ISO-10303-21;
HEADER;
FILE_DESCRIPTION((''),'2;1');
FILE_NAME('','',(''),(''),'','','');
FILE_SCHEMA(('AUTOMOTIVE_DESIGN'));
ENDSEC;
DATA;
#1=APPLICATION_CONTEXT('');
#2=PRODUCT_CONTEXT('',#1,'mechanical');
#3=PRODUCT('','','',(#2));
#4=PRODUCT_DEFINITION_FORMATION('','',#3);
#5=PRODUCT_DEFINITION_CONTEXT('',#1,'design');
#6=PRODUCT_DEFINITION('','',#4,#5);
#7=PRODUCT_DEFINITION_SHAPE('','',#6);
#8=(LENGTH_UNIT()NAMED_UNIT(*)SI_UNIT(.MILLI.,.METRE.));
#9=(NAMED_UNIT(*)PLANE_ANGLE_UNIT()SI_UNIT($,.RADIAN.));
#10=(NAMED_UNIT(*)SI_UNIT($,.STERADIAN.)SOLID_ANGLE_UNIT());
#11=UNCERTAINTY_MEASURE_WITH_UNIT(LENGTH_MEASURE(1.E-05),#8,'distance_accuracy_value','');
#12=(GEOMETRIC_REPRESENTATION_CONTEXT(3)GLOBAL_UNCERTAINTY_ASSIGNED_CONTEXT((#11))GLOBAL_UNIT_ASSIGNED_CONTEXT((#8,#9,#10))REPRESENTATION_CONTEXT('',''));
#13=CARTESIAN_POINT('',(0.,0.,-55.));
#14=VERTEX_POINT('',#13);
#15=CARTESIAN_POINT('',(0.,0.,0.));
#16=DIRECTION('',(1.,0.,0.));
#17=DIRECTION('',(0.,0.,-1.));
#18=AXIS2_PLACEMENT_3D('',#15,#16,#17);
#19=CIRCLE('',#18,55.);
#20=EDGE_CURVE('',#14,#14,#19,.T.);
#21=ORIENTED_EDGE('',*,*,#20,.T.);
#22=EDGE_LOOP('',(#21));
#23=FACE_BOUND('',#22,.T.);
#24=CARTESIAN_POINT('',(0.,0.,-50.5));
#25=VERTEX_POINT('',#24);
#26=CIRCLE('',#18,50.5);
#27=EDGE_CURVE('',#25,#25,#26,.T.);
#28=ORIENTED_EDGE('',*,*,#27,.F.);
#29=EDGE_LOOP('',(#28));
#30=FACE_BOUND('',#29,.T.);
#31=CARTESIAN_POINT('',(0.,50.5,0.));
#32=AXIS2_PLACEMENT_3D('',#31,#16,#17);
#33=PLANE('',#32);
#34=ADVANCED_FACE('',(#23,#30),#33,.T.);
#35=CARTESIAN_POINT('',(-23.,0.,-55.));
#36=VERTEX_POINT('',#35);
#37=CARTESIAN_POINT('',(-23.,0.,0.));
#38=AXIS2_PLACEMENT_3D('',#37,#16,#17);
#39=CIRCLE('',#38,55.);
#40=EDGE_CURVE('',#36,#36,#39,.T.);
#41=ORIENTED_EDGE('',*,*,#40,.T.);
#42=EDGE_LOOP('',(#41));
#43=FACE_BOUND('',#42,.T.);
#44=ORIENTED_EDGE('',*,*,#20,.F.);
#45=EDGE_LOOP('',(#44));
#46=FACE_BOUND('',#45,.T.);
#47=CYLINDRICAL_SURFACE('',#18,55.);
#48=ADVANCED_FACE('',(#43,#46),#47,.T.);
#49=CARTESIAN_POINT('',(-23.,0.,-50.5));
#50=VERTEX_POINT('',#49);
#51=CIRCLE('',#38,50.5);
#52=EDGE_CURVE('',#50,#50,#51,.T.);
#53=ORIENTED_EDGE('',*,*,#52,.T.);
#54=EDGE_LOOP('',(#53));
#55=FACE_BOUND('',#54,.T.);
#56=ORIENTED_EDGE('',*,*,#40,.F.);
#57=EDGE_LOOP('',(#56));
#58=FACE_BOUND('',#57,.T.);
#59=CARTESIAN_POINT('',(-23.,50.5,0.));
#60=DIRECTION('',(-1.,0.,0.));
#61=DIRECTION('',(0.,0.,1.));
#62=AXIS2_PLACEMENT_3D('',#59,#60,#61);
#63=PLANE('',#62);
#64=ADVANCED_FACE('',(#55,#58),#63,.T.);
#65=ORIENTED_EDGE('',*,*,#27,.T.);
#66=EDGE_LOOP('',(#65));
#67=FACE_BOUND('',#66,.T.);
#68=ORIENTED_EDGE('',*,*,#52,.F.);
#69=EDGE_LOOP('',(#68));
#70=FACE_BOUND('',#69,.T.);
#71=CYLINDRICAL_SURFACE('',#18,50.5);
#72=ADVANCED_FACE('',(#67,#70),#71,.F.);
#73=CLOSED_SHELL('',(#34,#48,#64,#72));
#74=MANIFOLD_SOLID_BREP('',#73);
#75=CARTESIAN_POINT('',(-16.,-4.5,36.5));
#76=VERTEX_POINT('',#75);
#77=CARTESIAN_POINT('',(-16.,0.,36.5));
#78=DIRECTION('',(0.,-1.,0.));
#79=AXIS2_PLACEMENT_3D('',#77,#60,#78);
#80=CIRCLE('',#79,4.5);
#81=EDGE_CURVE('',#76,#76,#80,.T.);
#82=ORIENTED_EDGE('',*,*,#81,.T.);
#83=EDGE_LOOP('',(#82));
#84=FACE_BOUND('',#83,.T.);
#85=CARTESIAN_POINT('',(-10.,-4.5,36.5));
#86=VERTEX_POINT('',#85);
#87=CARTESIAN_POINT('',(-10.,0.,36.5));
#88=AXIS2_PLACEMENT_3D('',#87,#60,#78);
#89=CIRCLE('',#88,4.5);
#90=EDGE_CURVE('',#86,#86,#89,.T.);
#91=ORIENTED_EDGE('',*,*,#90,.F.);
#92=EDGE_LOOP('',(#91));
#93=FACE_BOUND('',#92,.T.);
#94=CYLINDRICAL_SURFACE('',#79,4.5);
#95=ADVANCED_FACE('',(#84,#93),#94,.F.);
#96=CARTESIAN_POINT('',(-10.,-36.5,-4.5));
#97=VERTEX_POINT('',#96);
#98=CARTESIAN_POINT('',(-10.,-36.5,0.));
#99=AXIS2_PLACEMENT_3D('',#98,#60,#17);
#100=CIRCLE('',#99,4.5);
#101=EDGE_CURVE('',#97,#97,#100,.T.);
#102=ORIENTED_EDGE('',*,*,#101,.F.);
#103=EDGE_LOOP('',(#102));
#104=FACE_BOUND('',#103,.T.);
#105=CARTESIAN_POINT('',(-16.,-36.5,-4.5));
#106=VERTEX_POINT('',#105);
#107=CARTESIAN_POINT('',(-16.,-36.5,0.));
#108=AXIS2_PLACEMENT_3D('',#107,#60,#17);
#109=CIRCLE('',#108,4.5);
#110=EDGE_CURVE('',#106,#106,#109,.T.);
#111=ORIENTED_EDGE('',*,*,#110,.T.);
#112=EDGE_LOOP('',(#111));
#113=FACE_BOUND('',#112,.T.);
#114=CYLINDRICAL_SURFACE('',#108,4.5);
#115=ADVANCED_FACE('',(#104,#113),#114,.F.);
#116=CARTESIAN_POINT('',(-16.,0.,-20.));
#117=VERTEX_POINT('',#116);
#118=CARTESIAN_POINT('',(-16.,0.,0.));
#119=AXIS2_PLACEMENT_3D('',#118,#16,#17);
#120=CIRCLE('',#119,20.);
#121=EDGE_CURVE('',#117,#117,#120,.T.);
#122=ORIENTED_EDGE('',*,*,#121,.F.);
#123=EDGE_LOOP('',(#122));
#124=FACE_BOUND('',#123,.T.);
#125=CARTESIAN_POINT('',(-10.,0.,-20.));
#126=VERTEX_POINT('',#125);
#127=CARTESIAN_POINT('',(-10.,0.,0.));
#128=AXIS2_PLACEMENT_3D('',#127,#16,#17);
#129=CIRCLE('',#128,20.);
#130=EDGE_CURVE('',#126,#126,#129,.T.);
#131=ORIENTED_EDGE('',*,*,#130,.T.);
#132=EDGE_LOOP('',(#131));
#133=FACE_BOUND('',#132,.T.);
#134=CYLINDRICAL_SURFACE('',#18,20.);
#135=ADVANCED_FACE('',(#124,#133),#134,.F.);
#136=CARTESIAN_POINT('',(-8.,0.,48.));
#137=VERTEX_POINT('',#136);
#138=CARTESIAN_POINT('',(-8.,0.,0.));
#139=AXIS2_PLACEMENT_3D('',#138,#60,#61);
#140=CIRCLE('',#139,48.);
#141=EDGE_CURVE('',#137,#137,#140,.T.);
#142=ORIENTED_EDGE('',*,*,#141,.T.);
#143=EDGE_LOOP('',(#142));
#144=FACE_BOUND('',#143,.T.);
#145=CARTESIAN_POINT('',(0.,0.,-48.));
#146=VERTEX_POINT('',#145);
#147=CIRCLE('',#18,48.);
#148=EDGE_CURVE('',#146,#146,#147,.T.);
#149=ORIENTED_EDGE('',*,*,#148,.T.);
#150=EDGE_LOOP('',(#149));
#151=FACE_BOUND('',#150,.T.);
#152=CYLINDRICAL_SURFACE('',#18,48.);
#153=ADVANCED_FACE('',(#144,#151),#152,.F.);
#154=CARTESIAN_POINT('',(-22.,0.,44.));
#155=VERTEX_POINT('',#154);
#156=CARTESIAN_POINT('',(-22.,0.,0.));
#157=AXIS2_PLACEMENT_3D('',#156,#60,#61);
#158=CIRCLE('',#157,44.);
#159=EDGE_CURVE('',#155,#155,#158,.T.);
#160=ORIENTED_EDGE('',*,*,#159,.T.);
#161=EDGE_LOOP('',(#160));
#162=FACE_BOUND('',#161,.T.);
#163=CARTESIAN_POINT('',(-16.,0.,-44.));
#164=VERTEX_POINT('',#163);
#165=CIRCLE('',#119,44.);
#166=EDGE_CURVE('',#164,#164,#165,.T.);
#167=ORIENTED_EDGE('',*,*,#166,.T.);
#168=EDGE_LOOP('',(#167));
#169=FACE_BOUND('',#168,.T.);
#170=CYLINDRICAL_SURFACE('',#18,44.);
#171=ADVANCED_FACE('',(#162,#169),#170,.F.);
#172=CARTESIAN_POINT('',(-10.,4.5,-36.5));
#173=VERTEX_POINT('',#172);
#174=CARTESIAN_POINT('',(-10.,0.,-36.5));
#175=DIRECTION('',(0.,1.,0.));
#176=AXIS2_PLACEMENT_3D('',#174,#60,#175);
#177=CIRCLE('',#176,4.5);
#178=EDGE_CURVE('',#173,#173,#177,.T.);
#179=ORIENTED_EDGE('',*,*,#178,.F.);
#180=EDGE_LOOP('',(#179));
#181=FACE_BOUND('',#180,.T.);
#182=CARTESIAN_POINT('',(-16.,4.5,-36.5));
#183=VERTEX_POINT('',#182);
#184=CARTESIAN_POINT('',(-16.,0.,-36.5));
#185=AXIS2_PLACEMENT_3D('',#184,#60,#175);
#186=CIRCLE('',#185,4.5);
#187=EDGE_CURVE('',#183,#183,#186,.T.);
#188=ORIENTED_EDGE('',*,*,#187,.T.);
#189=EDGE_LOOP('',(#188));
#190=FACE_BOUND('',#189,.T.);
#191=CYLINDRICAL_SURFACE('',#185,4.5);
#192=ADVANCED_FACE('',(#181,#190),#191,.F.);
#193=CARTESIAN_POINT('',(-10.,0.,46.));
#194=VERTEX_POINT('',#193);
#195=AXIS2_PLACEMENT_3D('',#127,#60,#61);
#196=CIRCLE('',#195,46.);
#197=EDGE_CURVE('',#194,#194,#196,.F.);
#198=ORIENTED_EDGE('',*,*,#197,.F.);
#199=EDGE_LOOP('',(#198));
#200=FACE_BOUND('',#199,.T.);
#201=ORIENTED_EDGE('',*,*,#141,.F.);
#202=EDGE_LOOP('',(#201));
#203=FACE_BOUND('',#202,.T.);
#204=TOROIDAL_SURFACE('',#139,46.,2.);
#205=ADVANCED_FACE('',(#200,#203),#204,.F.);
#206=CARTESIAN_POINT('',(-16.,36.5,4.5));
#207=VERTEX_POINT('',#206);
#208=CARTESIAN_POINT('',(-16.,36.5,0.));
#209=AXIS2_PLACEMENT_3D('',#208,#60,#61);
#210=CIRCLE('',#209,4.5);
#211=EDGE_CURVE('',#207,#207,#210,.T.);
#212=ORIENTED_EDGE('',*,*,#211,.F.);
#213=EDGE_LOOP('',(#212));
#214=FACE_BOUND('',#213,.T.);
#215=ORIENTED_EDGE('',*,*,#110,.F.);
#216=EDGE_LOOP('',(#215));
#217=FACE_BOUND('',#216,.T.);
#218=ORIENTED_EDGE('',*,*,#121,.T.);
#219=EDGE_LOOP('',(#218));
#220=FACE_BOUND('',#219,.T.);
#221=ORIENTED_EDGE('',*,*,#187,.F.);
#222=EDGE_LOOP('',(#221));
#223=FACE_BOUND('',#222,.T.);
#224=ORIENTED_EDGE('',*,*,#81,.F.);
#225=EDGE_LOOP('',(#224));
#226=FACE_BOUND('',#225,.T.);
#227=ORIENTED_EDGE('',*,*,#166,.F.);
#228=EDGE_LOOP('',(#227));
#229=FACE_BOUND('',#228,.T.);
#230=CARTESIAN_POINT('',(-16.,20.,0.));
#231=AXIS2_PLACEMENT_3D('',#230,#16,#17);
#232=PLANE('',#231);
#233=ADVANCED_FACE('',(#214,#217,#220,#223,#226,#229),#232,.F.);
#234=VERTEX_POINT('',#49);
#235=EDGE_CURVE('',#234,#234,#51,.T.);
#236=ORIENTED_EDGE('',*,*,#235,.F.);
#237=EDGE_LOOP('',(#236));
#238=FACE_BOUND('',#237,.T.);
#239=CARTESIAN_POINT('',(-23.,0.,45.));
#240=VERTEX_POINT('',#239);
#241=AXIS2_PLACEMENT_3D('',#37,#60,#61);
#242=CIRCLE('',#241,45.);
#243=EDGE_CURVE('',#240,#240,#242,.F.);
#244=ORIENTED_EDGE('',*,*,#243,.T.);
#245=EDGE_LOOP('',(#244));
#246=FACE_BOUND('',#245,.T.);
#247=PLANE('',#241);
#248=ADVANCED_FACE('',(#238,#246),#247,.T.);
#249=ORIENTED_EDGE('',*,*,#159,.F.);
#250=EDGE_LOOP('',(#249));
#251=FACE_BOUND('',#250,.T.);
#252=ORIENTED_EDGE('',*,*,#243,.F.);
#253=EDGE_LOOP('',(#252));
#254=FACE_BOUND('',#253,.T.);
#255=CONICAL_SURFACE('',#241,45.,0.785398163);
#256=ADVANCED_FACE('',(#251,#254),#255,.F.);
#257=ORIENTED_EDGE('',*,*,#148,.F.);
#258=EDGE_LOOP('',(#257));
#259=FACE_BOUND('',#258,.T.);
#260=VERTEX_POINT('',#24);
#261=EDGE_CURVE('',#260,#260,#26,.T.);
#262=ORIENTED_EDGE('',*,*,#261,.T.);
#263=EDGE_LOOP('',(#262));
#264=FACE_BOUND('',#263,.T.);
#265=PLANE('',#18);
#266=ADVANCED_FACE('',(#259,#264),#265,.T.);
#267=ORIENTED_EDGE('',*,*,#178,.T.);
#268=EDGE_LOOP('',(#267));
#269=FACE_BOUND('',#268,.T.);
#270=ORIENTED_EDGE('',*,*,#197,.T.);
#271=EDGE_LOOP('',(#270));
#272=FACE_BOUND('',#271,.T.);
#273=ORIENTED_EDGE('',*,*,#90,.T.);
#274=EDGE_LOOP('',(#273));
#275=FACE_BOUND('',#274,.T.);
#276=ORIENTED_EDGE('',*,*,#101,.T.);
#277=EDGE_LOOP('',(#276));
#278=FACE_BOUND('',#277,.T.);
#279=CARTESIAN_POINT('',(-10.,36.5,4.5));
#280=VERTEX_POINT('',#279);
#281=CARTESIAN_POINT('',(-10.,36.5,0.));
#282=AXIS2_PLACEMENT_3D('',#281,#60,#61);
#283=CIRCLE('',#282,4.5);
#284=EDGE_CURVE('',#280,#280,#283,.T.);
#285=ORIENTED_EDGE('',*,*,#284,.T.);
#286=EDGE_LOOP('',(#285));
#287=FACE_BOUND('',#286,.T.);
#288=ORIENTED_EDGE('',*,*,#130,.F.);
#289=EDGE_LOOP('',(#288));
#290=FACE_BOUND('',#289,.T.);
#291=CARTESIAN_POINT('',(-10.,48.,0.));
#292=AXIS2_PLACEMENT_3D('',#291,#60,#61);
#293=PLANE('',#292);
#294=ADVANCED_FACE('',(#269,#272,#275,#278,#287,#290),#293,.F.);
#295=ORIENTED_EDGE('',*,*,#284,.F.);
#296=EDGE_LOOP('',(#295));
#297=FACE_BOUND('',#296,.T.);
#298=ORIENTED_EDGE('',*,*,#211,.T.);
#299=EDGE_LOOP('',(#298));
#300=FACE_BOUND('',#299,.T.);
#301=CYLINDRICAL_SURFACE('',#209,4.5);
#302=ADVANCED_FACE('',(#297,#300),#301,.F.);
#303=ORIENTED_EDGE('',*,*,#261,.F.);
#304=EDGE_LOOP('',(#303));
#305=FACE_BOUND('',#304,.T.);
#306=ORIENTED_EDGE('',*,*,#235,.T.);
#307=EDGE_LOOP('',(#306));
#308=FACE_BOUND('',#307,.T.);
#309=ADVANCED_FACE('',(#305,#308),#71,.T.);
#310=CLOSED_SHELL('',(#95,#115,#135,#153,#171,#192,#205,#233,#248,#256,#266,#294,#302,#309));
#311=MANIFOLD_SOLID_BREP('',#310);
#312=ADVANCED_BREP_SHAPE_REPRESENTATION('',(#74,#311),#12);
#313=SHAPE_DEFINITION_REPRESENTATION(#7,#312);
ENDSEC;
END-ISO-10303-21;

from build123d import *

# Parameters (mm, degrees)
SKETCH1_W         = 23
SKETCH1_H         = 50.5
SKETCH2_W         = 23
SKETCH2_H         = 4.5
SKETCH5_W         = 4.5
SKETCH5_H         = 16
CIRPATTERN1_COUNT = 4
FILLET1_R         = 2
CHAMFER2_SIZE     = 1


with BuildPart() as part:
    # Sketch1 → Revolve1 (revolve)
    with BuildSketch(Plane.XY, mode=Mode.PRIVATE) as revolve1_sk:
        with Locations((-11.5, 25.25)):
            Rectangle(SKETCH1_W, SKETCH1_H)
    revolve(revolve1_sk.sketch.rotate(Axis((0, 0, 0), (-1, 0, 0)), 90), axis=Axis((0, 0, 0), (-1, 0, 0)))

    # Sketch3 → Cut-Revolve1 (revolve, cut)
    with BuildSketch(Plane.XY, mode=Mode.PRIVATE) as cut_revolve1_sk:
        Polygon((0, 48), (-10, 48), (-10, 20), (-16, 20), (-16, 44), (-23, 44), (-23, 0), (0, 0), align=None)
    revolve(cut_revolve1_sk.sketch.rotate(Axis((0, 0, 0), (-1, 0, 0)), 90), axis=Axis((0, 0, 0), (-1, 0, 0)), mode=Mode.SUBTRACT)

    # Sketch5 → Ø9.0 (9) Diameter Hole1 (revolve, cut)
    with BuildSketch(Plane(origin=(-16, 36.5, 0), x_dir=(0, 0, 1), z_dir=(0, 1, 0))):
        with Locations((2.25, 8)):
            Rectangle(SKETCH5_W, SKETCH5_H)
    f_9_0_9_diameter_hole1 = revolve(axis=Axis((-22.35, 36.5, 0), (1, 0, 0)), mode=Mode.SUBTRACT)

    # CirPattern1: Ø9.0 (9) Diameter Hole1 ×4 about axis
    cirpattern1_axis = Axis((0, 0, 0), (1, 0, 0))
    for i in range(1, CIRPATTERN1_COUNT):
        add(f_9_0_9_diameter_hole1.rotate(cirpattern1_axis, i * 360 / CIRPATTERN1_COUNT), mode=Mode.SUBTRACT)

    # Fillet1
    fillet1_edges = [part.edges().sort_by_distance(p)[0] for p in [
        (-10, 0, 48),
    ]]
    fillet(fillet1_edges, radius=FILLET1_R)

    # Chamfer2
    chamfer2_edges = [part.edges().sort_by_distance(p)[0] for p in [
        (-23, 0, 44),
    ]]
    chamfer(chamfer2_edges, length=CHAMFER2_SIZE)


with BuildPart() as body_2:
    # Sketch2 → Revolve2 (revolve)
    with BuildSketch(Plane.XY, mode=Mode.PRIVATE) as revolve2_sk:
        with Locations((-11.5, 52.75)):
            Rectangle(SKETCH2_W, SKETCH2_H)
    revolve(revolve2_sk.sketch.rotate(Axis((0, 0, 0), (-1, 0, 0)), 90), axis=Axis((0, 0, 0), (-1, 0, 0)))


solid = Compound([part.part, body_2.part])
